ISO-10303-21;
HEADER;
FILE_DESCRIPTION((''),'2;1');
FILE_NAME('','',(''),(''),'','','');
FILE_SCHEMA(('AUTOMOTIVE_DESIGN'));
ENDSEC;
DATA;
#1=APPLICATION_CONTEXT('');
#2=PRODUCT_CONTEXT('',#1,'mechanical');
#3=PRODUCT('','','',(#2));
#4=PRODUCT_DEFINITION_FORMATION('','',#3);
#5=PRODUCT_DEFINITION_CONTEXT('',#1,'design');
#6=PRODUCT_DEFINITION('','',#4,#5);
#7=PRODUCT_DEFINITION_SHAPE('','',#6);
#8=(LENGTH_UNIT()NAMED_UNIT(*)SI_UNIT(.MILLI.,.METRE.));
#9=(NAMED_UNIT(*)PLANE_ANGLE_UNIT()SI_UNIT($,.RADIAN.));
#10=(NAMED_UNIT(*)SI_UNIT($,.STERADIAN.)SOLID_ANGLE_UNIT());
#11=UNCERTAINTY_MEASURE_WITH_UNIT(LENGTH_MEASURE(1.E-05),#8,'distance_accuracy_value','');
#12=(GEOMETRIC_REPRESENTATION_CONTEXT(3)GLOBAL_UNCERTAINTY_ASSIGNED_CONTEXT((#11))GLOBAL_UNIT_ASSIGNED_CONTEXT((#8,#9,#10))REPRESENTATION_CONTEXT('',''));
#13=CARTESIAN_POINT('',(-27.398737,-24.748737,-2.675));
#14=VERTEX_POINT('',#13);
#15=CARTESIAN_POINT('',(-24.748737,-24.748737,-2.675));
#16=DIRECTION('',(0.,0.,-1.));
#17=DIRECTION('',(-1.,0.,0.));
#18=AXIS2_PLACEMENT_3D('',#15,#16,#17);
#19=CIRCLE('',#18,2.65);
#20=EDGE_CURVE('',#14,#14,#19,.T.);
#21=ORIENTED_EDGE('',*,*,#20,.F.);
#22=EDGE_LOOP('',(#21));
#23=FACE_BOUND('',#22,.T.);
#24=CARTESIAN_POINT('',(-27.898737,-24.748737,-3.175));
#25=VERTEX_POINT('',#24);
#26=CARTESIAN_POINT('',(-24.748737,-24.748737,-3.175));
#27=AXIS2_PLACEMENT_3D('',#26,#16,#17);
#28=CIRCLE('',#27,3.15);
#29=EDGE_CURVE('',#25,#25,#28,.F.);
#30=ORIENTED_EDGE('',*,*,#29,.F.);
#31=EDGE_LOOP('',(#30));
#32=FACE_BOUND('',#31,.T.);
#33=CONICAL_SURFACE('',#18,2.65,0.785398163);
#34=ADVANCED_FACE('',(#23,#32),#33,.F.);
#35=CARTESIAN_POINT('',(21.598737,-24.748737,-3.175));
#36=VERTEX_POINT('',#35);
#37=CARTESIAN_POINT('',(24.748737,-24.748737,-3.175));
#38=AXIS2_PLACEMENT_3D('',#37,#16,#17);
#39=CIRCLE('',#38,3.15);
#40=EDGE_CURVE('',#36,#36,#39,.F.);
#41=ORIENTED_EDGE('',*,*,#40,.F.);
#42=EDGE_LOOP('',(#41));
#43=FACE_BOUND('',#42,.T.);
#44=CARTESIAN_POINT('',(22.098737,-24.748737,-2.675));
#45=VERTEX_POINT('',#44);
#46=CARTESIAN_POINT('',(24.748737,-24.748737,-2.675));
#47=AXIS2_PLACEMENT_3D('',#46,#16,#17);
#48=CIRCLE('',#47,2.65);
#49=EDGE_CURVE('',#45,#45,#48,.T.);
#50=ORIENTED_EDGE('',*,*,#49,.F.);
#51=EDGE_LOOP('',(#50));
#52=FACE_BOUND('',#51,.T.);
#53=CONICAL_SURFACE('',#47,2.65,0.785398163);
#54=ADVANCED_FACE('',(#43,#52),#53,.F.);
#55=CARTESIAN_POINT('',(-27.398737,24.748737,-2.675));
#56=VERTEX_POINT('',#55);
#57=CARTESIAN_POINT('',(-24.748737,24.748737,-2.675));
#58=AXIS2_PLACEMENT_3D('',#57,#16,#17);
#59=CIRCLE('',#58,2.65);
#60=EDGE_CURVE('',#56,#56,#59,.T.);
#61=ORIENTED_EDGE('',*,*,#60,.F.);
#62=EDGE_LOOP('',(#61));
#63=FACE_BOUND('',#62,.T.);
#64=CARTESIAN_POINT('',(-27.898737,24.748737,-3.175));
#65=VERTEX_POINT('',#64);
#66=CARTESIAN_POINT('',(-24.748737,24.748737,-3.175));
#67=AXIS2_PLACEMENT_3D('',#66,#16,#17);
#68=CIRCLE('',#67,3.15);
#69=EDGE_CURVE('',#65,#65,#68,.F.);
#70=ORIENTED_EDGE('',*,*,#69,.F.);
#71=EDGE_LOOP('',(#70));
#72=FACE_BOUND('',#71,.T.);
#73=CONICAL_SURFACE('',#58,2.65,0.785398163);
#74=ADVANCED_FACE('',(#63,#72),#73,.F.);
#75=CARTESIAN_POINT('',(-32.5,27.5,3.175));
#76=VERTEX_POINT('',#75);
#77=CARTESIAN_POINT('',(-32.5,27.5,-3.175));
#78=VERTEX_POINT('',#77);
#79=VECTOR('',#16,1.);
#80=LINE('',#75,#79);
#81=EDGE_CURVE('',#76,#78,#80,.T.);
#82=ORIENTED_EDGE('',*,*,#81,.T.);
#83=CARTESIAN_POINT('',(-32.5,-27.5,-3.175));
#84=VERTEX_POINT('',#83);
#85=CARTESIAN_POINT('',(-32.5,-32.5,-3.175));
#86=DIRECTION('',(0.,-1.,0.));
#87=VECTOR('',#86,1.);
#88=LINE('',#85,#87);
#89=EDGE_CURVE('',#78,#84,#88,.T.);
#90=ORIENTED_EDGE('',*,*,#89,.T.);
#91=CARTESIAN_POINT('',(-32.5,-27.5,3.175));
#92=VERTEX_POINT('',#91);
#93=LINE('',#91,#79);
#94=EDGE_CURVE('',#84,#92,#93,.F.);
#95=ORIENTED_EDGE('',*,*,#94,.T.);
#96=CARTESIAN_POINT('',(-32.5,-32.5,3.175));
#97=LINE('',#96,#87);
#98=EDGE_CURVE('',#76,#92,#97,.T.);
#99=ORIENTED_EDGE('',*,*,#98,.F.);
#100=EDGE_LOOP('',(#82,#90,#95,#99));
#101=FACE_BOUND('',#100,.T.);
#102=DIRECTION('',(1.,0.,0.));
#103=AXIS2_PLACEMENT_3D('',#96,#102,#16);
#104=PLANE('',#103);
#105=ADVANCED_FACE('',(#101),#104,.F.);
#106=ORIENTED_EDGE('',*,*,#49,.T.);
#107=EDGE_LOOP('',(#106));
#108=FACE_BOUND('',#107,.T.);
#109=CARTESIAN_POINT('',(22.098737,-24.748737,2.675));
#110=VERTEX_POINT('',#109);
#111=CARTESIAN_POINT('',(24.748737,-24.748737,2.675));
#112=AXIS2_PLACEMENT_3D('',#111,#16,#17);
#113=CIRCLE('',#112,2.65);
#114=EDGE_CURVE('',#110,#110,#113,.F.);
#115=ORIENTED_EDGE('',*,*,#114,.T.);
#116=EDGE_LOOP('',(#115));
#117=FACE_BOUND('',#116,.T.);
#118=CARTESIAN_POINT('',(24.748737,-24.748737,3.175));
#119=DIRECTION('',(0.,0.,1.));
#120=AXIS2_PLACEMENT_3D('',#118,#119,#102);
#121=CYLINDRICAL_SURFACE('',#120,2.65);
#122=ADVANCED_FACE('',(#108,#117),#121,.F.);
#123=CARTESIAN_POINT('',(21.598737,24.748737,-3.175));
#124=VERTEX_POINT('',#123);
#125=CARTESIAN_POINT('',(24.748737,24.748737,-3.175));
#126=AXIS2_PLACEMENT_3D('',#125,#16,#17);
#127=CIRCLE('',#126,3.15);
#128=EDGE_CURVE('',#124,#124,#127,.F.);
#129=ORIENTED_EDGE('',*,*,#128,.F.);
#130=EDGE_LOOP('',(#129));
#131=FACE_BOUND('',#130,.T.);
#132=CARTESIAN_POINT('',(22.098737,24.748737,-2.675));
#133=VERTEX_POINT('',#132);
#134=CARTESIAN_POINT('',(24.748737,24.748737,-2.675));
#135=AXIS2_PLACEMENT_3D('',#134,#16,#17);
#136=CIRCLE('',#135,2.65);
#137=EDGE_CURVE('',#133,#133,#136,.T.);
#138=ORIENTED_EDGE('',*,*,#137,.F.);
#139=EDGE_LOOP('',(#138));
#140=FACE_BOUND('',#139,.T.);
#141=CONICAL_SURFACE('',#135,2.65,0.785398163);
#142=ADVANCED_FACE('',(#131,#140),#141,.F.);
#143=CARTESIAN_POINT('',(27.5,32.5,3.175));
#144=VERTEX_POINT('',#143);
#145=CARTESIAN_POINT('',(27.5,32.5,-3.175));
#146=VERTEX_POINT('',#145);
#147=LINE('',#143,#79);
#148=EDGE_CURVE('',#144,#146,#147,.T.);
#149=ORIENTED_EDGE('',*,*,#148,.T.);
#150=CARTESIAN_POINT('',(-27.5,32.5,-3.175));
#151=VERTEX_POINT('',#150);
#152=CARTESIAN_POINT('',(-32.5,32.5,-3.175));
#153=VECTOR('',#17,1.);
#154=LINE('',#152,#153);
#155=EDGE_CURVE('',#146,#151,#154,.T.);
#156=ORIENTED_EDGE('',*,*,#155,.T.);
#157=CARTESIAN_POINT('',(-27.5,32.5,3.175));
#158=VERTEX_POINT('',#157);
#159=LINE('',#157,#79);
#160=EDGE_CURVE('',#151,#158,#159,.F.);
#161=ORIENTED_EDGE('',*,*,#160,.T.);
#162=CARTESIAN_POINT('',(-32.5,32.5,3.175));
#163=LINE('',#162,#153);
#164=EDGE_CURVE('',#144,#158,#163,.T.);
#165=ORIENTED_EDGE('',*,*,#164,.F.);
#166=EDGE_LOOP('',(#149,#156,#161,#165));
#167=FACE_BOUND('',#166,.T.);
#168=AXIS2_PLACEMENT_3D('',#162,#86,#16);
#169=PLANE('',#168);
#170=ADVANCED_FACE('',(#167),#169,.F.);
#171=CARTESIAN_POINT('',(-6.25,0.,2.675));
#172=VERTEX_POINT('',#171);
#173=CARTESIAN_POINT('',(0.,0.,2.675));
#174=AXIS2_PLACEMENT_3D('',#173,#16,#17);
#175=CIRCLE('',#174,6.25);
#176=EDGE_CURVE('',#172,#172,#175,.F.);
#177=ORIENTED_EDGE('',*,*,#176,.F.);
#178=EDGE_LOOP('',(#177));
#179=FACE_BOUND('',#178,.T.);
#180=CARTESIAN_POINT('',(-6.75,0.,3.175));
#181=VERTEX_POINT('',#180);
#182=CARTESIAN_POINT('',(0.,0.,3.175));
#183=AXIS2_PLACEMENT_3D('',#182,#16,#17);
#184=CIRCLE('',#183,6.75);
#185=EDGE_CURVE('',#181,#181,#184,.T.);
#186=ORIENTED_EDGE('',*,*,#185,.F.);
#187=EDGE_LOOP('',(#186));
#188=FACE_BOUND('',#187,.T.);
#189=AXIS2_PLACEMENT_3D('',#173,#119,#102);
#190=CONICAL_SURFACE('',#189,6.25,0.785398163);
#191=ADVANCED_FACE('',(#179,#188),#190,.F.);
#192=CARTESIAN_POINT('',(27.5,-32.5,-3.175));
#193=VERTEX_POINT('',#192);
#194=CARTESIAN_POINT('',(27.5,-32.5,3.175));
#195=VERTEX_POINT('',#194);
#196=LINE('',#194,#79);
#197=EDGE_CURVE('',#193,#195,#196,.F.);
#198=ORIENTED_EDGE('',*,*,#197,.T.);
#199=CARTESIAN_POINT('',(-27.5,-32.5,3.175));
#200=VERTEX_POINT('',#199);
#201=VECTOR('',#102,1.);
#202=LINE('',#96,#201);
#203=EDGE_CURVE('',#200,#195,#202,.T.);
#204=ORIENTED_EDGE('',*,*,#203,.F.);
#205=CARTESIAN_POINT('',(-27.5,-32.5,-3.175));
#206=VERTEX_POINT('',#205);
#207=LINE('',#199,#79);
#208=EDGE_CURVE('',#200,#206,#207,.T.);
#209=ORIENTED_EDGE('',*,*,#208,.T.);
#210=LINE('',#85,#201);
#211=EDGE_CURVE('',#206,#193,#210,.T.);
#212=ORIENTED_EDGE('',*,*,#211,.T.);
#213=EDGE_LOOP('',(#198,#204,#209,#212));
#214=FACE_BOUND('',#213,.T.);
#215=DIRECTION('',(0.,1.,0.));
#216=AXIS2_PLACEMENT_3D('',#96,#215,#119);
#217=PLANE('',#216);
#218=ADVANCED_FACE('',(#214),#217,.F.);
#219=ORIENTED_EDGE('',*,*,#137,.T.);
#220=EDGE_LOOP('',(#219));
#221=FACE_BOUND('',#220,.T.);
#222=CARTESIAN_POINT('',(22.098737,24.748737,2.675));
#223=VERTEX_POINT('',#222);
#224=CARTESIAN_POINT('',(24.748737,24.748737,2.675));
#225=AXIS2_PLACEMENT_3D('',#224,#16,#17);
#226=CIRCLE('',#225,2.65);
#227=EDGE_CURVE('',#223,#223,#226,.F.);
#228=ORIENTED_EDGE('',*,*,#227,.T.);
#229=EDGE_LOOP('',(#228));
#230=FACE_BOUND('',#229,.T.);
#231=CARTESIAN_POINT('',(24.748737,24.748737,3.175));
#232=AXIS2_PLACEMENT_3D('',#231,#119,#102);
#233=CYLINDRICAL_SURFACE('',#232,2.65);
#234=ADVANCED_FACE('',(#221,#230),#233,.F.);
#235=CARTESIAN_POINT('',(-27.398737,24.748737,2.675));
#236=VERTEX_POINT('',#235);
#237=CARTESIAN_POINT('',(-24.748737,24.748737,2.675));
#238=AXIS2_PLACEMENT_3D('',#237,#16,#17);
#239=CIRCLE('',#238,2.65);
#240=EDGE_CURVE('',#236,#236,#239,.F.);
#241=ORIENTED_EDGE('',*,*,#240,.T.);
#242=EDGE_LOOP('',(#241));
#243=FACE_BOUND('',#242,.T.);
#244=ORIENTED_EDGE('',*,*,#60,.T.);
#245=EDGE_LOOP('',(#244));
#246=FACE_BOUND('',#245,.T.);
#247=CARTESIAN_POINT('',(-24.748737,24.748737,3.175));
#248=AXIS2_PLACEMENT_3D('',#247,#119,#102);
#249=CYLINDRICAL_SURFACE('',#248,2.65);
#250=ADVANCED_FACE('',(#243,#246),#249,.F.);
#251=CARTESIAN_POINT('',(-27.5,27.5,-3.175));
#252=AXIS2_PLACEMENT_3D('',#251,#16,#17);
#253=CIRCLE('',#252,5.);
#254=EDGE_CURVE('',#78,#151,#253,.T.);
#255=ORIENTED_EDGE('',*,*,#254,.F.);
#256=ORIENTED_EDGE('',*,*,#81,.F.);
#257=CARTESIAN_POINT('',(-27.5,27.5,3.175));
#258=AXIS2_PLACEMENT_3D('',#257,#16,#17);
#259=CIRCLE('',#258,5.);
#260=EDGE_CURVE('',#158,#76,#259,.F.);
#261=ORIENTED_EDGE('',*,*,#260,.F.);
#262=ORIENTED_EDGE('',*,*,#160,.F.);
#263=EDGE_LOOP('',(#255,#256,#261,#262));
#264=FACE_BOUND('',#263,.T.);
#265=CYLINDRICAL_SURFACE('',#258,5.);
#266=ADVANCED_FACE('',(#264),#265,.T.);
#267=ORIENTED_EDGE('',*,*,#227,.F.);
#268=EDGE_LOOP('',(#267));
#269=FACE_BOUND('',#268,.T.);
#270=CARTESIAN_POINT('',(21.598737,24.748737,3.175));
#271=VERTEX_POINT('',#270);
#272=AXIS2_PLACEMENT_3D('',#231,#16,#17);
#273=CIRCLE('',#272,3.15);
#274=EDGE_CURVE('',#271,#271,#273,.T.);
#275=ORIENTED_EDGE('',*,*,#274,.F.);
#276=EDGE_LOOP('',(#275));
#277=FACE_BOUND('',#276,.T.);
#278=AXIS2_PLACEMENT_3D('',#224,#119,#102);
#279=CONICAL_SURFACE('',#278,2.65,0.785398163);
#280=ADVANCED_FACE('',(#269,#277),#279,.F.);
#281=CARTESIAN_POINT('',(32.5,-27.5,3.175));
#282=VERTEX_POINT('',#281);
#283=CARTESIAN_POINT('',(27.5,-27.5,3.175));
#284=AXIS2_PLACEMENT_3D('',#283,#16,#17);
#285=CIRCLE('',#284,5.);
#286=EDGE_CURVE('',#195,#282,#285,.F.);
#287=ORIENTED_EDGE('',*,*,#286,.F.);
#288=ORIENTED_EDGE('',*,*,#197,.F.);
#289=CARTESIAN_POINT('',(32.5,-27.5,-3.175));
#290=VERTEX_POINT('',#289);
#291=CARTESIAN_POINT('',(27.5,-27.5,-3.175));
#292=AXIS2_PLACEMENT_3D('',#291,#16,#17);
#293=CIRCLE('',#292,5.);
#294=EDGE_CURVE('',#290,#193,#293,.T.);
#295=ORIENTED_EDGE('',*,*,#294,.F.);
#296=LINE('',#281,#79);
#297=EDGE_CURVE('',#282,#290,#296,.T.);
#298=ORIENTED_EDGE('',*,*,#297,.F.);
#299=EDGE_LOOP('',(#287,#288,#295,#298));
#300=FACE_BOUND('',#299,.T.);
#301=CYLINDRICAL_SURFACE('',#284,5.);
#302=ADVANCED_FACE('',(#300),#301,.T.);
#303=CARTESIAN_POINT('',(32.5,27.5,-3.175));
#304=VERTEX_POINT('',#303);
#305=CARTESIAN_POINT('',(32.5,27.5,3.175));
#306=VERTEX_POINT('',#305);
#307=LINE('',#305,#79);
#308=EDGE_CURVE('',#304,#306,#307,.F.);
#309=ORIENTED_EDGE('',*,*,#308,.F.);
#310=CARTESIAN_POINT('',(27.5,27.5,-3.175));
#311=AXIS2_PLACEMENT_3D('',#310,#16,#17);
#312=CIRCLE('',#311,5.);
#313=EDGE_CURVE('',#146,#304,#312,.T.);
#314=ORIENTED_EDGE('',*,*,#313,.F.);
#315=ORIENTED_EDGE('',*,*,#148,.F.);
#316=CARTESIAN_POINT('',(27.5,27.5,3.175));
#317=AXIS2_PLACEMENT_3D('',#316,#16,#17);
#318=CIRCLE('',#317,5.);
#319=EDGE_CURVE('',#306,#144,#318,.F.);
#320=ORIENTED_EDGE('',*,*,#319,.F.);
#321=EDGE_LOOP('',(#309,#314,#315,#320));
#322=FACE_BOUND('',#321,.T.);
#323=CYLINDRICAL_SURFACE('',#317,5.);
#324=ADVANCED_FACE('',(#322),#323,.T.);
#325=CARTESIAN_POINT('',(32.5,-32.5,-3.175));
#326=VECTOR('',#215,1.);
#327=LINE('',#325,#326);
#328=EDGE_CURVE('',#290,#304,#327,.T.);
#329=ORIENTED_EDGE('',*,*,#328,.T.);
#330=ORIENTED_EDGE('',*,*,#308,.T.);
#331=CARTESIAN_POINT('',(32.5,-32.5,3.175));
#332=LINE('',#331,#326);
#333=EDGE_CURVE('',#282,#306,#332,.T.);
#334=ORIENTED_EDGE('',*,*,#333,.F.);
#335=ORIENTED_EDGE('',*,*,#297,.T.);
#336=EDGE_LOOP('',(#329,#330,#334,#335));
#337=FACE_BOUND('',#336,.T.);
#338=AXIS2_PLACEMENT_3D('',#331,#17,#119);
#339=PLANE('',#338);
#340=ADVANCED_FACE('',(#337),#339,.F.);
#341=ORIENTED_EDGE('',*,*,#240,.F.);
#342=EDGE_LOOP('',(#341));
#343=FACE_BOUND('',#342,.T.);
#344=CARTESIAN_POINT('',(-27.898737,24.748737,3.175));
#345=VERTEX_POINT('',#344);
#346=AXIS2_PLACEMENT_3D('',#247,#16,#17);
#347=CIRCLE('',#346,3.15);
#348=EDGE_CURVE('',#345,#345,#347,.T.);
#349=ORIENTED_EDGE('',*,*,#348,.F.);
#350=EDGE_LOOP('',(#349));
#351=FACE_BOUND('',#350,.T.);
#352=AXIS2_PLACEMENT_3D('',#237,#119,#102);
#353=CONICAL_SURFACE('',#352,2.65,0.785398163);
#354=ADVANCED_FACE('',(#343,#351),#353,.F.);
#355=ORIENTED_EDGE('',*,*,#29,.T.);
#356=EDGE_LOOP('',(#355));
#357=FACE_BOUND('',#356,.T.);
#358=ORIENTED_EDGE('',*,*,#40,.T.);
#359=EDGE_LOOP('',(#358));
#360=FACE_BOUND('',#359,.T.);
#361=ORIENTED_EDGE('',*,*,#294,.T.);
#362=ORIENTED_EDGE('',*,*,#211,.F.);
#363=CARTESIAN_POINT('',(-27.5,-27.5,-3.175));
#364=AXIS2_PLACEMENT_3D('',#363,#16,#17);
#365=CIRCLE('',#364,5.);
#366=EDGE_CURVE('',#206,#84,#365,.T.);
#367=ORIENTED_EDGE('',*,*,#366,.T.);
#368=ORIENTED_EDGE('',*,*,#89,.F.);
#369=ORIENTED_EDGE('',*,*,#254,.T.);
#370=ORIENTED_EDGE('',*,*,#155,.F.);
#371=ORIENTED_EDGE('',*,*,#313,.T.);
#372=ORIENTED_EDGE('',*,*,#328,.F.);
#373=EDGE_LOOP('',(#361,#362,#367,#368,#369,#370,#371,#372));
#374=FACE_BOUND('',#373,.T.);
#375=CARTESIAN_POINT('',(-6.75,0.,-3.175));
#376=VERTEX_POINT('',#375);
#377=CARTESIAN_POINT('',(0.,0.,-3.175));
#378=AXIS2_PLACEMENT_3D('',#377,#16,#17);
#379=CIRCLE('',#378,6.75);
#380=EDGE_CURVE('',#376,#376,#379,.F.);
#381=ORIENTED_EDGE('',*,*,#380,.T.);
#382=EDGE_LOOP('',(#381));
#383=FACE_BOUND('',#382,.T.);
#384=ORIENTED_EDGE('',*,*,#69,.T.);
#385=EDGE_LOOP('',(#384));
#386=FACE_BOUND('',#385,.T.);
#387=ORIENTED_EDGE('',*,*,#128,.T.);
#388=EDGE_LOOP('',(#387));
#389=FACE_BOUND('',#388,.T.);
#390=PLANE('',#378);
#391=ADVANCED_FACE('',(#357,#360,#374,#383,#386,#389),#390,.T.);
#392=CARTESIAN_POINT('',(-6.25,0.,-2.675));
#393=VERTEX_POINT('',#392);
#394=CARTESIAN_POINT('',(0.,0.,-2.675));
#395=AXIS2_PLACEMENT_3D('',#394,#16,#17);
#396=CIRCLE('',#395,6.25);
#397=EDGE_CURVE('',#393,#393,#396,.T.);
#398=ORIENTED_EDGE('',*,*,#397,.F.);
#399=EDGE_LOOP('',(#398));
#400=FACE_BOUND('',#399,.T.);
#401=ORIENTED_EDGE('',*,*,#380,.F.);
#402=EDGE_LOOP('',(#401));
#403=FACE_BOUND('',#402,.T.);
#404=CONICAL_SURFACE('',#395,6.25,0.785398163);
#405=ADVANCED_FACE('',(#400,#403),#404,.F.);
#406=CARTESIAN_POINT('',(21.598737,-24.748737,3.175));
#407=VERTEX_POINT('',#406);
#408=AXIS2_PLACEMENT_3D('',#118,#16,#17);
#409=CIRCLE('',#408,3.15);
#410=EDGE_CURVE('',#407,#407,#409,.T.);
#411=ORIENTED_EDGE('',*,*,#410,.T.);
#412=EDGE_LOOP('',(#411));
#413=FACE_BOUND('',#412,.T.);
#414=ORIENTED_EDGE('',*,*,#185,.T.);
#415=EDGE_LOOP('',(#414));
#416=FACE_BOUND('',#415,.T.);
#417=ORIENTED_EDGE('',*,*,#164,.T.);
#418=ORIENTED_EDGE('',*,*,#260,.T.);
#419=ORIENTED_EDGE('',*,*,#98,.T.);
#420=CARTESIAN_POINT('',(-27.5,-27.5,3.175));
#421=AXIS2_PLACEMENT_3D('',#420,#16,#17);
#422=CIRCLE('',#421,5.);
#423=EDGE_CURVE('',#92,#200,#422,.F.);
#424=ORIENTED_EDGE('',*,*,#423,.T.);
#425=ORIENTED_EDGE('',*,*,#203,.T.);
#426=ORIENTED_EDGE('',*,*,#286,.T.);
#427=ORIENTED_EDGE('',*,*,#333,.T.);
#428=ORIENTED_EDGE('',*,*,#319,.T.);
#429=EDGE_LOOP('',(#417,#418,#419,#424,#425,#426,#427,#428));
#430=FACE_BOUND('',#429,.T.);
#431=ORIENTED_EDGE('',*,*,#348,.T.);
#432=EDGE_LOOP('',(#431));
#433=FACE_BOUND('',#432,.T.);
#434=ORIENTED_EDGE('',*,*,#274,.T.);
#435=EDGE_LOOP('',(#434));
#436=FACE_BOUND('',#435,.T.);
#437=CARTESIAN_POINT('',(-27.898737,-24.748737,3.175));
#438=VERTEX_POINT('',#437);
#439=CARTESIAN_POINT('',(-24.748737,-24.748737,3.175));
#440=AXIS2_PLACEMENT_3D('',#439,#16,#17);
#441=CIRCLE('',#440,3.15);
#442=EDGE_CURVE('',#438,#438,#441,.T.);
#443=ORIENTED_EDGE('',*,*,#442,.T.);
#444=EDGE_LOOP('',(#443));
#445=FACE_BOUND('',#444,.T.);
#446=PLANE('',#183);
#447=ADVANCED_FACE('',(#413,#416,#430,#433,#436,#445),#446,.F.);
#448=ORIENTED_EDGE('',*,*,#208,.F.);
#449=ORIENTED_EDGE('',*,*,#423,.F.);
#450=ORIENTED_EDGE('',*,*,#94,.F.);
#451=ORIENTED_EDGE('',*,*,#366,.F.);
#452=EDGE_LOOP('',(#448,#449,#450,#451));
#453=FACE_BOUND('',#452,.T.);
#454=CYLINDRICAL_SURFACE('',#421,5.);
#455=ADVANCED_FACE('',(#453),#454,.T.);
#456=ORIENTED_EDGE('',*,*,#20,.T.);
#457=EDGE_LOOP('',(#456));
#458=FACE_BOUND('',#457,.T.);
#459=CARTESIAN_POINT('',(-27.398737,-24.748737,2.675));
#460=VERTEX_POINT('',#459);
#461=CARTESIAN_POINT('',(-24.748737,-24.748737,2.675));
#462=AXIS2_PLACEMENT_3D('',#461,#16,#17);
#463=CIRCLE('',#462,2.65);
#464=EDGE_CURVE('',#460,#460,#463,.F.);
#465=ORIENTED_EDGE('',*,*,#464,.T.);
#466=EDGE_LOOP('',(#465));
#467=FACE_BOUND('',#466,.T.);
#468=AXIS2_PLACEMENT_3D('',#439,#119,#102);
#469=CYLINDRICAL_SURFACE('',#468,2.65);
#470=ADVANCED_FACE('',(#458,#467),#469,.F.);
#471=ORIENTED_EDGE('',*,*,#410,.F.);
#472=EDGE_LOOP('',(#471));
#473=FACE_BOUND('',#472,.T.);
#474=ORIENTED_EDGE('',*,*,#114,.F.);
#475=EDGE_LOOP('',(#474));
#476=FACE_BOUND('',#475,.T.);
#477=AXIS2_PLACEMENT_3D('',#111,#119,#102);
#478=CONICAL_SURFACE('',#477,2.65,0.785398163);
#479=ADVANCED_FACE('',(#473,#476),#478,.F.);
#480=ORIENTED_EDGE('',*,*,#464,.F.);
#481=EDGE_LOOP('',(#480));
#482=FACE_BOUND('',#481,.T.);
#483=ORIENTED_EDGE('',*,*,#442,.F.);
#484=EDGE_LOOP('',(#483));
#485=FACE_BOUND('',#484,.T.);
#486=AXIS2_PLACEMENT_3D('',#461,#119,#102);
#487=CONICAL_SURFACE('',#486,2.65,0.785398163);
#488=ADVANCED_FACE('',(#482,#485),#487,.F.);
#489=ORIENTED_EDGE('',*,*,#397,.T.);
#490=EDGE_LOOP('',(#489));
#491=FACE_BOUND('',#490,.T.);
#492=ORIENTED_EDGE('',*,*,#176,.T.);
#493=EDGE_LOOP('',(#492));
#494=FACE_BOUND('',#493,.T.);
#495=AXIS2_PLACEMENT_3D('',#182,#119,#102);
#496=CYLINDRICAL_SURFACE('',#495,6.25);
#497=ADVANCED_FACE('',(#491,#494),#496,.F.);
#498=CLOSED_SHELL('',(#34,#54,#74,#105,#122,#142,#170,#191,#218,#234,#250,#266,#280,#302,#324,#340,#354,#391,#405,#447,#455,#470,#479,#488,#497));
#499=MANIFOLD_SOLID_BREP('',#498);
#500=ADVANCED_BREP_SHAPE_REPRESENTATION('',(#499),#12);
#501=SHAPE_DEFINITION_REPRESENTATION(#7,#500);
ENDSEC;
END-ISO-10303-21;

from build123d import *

# Parameters (mm, degrees)
SKETCH1_W                  = 65
SKETCH1_H                  = 65
F_1_4_IN_SHEET_METAL_DEPTH = 3.175
M12_CLEARANCE_HOLE_D       = 12.5
M5_CLEARANCE_HOLE1_D       = 5.3
FILLET1_5_MM_R             = 5
CHAMFER_0_5_MM_SIZE        = 0.5


with BuildPart() as part:
    # Sketch1 → 1/4 in Sheet Metal (new, symmetric)
    with BuildSketch(Plane.XY):
        Rectangle(SKETCH1_W, SKETCH1_H)
    extrude(amount=F_1_4_IN_SHEET_METAL_DEPTH, both=True)

    # M12 Clearance Hole (through all)
    with Locations(Plane.XY.offset(3.175)):
        with Locations((0, 0)):
            Hole(M12_CLEARANCE_HOLE_D / 2)

    # M5 Clearance Hole1 (through all)
    with Locations(Plane.XY.offset(3.175)):
        with Locations((24.748737342, 24.748737342), (-24.748737342, 24.748737342), (-24.748737342, -24.748737342), (24.748737342, -24.748737342)):
            Hole(M5_CLEARANCE_HOLE1_D / 2)

    # Fillet1 5 mm
    fillet1_5_mm_edges = [part.edges().sort_by_distance(p)[0] for p in [
        (32.5, -32.5, 0),
        (-32.5, -32.5, 0),
        (-32.5, 32.5, 0),
        (32.5, 32.5, 0),
    ]]
    fillet(fillet1_5_mm_edges, radius=FILLET1_5_MM_R)

    # Chamfer 0.5 mm
    chamfer_0_5_mm_edges = [part.edges().sort_by_distance(p)[0] for p in [
        (6.25, 0, 3.175),
        (6.25, 0, -3.175),
        (27.398737342, -24.748737342, 3.175),
        (27.398737342, -24.748737342, -3.175),
        (-22.098737342, -24.748737342, 3.175),
        (-22.098737342, -24.748737342, -3.175),
        (-22.098737342, 24.748737342, 3.175),
        (-22.098737342, 24.748737342, -3.175),
        (27.398737342, 24.748737342, 3.175),
        (27.398737342, 24.748737342, -3.175),
    ]]
    chamfer(chamfer_0_5_mm_edges, length=CHAMFER_0_5_MM_SIZE)


solid = part.part
